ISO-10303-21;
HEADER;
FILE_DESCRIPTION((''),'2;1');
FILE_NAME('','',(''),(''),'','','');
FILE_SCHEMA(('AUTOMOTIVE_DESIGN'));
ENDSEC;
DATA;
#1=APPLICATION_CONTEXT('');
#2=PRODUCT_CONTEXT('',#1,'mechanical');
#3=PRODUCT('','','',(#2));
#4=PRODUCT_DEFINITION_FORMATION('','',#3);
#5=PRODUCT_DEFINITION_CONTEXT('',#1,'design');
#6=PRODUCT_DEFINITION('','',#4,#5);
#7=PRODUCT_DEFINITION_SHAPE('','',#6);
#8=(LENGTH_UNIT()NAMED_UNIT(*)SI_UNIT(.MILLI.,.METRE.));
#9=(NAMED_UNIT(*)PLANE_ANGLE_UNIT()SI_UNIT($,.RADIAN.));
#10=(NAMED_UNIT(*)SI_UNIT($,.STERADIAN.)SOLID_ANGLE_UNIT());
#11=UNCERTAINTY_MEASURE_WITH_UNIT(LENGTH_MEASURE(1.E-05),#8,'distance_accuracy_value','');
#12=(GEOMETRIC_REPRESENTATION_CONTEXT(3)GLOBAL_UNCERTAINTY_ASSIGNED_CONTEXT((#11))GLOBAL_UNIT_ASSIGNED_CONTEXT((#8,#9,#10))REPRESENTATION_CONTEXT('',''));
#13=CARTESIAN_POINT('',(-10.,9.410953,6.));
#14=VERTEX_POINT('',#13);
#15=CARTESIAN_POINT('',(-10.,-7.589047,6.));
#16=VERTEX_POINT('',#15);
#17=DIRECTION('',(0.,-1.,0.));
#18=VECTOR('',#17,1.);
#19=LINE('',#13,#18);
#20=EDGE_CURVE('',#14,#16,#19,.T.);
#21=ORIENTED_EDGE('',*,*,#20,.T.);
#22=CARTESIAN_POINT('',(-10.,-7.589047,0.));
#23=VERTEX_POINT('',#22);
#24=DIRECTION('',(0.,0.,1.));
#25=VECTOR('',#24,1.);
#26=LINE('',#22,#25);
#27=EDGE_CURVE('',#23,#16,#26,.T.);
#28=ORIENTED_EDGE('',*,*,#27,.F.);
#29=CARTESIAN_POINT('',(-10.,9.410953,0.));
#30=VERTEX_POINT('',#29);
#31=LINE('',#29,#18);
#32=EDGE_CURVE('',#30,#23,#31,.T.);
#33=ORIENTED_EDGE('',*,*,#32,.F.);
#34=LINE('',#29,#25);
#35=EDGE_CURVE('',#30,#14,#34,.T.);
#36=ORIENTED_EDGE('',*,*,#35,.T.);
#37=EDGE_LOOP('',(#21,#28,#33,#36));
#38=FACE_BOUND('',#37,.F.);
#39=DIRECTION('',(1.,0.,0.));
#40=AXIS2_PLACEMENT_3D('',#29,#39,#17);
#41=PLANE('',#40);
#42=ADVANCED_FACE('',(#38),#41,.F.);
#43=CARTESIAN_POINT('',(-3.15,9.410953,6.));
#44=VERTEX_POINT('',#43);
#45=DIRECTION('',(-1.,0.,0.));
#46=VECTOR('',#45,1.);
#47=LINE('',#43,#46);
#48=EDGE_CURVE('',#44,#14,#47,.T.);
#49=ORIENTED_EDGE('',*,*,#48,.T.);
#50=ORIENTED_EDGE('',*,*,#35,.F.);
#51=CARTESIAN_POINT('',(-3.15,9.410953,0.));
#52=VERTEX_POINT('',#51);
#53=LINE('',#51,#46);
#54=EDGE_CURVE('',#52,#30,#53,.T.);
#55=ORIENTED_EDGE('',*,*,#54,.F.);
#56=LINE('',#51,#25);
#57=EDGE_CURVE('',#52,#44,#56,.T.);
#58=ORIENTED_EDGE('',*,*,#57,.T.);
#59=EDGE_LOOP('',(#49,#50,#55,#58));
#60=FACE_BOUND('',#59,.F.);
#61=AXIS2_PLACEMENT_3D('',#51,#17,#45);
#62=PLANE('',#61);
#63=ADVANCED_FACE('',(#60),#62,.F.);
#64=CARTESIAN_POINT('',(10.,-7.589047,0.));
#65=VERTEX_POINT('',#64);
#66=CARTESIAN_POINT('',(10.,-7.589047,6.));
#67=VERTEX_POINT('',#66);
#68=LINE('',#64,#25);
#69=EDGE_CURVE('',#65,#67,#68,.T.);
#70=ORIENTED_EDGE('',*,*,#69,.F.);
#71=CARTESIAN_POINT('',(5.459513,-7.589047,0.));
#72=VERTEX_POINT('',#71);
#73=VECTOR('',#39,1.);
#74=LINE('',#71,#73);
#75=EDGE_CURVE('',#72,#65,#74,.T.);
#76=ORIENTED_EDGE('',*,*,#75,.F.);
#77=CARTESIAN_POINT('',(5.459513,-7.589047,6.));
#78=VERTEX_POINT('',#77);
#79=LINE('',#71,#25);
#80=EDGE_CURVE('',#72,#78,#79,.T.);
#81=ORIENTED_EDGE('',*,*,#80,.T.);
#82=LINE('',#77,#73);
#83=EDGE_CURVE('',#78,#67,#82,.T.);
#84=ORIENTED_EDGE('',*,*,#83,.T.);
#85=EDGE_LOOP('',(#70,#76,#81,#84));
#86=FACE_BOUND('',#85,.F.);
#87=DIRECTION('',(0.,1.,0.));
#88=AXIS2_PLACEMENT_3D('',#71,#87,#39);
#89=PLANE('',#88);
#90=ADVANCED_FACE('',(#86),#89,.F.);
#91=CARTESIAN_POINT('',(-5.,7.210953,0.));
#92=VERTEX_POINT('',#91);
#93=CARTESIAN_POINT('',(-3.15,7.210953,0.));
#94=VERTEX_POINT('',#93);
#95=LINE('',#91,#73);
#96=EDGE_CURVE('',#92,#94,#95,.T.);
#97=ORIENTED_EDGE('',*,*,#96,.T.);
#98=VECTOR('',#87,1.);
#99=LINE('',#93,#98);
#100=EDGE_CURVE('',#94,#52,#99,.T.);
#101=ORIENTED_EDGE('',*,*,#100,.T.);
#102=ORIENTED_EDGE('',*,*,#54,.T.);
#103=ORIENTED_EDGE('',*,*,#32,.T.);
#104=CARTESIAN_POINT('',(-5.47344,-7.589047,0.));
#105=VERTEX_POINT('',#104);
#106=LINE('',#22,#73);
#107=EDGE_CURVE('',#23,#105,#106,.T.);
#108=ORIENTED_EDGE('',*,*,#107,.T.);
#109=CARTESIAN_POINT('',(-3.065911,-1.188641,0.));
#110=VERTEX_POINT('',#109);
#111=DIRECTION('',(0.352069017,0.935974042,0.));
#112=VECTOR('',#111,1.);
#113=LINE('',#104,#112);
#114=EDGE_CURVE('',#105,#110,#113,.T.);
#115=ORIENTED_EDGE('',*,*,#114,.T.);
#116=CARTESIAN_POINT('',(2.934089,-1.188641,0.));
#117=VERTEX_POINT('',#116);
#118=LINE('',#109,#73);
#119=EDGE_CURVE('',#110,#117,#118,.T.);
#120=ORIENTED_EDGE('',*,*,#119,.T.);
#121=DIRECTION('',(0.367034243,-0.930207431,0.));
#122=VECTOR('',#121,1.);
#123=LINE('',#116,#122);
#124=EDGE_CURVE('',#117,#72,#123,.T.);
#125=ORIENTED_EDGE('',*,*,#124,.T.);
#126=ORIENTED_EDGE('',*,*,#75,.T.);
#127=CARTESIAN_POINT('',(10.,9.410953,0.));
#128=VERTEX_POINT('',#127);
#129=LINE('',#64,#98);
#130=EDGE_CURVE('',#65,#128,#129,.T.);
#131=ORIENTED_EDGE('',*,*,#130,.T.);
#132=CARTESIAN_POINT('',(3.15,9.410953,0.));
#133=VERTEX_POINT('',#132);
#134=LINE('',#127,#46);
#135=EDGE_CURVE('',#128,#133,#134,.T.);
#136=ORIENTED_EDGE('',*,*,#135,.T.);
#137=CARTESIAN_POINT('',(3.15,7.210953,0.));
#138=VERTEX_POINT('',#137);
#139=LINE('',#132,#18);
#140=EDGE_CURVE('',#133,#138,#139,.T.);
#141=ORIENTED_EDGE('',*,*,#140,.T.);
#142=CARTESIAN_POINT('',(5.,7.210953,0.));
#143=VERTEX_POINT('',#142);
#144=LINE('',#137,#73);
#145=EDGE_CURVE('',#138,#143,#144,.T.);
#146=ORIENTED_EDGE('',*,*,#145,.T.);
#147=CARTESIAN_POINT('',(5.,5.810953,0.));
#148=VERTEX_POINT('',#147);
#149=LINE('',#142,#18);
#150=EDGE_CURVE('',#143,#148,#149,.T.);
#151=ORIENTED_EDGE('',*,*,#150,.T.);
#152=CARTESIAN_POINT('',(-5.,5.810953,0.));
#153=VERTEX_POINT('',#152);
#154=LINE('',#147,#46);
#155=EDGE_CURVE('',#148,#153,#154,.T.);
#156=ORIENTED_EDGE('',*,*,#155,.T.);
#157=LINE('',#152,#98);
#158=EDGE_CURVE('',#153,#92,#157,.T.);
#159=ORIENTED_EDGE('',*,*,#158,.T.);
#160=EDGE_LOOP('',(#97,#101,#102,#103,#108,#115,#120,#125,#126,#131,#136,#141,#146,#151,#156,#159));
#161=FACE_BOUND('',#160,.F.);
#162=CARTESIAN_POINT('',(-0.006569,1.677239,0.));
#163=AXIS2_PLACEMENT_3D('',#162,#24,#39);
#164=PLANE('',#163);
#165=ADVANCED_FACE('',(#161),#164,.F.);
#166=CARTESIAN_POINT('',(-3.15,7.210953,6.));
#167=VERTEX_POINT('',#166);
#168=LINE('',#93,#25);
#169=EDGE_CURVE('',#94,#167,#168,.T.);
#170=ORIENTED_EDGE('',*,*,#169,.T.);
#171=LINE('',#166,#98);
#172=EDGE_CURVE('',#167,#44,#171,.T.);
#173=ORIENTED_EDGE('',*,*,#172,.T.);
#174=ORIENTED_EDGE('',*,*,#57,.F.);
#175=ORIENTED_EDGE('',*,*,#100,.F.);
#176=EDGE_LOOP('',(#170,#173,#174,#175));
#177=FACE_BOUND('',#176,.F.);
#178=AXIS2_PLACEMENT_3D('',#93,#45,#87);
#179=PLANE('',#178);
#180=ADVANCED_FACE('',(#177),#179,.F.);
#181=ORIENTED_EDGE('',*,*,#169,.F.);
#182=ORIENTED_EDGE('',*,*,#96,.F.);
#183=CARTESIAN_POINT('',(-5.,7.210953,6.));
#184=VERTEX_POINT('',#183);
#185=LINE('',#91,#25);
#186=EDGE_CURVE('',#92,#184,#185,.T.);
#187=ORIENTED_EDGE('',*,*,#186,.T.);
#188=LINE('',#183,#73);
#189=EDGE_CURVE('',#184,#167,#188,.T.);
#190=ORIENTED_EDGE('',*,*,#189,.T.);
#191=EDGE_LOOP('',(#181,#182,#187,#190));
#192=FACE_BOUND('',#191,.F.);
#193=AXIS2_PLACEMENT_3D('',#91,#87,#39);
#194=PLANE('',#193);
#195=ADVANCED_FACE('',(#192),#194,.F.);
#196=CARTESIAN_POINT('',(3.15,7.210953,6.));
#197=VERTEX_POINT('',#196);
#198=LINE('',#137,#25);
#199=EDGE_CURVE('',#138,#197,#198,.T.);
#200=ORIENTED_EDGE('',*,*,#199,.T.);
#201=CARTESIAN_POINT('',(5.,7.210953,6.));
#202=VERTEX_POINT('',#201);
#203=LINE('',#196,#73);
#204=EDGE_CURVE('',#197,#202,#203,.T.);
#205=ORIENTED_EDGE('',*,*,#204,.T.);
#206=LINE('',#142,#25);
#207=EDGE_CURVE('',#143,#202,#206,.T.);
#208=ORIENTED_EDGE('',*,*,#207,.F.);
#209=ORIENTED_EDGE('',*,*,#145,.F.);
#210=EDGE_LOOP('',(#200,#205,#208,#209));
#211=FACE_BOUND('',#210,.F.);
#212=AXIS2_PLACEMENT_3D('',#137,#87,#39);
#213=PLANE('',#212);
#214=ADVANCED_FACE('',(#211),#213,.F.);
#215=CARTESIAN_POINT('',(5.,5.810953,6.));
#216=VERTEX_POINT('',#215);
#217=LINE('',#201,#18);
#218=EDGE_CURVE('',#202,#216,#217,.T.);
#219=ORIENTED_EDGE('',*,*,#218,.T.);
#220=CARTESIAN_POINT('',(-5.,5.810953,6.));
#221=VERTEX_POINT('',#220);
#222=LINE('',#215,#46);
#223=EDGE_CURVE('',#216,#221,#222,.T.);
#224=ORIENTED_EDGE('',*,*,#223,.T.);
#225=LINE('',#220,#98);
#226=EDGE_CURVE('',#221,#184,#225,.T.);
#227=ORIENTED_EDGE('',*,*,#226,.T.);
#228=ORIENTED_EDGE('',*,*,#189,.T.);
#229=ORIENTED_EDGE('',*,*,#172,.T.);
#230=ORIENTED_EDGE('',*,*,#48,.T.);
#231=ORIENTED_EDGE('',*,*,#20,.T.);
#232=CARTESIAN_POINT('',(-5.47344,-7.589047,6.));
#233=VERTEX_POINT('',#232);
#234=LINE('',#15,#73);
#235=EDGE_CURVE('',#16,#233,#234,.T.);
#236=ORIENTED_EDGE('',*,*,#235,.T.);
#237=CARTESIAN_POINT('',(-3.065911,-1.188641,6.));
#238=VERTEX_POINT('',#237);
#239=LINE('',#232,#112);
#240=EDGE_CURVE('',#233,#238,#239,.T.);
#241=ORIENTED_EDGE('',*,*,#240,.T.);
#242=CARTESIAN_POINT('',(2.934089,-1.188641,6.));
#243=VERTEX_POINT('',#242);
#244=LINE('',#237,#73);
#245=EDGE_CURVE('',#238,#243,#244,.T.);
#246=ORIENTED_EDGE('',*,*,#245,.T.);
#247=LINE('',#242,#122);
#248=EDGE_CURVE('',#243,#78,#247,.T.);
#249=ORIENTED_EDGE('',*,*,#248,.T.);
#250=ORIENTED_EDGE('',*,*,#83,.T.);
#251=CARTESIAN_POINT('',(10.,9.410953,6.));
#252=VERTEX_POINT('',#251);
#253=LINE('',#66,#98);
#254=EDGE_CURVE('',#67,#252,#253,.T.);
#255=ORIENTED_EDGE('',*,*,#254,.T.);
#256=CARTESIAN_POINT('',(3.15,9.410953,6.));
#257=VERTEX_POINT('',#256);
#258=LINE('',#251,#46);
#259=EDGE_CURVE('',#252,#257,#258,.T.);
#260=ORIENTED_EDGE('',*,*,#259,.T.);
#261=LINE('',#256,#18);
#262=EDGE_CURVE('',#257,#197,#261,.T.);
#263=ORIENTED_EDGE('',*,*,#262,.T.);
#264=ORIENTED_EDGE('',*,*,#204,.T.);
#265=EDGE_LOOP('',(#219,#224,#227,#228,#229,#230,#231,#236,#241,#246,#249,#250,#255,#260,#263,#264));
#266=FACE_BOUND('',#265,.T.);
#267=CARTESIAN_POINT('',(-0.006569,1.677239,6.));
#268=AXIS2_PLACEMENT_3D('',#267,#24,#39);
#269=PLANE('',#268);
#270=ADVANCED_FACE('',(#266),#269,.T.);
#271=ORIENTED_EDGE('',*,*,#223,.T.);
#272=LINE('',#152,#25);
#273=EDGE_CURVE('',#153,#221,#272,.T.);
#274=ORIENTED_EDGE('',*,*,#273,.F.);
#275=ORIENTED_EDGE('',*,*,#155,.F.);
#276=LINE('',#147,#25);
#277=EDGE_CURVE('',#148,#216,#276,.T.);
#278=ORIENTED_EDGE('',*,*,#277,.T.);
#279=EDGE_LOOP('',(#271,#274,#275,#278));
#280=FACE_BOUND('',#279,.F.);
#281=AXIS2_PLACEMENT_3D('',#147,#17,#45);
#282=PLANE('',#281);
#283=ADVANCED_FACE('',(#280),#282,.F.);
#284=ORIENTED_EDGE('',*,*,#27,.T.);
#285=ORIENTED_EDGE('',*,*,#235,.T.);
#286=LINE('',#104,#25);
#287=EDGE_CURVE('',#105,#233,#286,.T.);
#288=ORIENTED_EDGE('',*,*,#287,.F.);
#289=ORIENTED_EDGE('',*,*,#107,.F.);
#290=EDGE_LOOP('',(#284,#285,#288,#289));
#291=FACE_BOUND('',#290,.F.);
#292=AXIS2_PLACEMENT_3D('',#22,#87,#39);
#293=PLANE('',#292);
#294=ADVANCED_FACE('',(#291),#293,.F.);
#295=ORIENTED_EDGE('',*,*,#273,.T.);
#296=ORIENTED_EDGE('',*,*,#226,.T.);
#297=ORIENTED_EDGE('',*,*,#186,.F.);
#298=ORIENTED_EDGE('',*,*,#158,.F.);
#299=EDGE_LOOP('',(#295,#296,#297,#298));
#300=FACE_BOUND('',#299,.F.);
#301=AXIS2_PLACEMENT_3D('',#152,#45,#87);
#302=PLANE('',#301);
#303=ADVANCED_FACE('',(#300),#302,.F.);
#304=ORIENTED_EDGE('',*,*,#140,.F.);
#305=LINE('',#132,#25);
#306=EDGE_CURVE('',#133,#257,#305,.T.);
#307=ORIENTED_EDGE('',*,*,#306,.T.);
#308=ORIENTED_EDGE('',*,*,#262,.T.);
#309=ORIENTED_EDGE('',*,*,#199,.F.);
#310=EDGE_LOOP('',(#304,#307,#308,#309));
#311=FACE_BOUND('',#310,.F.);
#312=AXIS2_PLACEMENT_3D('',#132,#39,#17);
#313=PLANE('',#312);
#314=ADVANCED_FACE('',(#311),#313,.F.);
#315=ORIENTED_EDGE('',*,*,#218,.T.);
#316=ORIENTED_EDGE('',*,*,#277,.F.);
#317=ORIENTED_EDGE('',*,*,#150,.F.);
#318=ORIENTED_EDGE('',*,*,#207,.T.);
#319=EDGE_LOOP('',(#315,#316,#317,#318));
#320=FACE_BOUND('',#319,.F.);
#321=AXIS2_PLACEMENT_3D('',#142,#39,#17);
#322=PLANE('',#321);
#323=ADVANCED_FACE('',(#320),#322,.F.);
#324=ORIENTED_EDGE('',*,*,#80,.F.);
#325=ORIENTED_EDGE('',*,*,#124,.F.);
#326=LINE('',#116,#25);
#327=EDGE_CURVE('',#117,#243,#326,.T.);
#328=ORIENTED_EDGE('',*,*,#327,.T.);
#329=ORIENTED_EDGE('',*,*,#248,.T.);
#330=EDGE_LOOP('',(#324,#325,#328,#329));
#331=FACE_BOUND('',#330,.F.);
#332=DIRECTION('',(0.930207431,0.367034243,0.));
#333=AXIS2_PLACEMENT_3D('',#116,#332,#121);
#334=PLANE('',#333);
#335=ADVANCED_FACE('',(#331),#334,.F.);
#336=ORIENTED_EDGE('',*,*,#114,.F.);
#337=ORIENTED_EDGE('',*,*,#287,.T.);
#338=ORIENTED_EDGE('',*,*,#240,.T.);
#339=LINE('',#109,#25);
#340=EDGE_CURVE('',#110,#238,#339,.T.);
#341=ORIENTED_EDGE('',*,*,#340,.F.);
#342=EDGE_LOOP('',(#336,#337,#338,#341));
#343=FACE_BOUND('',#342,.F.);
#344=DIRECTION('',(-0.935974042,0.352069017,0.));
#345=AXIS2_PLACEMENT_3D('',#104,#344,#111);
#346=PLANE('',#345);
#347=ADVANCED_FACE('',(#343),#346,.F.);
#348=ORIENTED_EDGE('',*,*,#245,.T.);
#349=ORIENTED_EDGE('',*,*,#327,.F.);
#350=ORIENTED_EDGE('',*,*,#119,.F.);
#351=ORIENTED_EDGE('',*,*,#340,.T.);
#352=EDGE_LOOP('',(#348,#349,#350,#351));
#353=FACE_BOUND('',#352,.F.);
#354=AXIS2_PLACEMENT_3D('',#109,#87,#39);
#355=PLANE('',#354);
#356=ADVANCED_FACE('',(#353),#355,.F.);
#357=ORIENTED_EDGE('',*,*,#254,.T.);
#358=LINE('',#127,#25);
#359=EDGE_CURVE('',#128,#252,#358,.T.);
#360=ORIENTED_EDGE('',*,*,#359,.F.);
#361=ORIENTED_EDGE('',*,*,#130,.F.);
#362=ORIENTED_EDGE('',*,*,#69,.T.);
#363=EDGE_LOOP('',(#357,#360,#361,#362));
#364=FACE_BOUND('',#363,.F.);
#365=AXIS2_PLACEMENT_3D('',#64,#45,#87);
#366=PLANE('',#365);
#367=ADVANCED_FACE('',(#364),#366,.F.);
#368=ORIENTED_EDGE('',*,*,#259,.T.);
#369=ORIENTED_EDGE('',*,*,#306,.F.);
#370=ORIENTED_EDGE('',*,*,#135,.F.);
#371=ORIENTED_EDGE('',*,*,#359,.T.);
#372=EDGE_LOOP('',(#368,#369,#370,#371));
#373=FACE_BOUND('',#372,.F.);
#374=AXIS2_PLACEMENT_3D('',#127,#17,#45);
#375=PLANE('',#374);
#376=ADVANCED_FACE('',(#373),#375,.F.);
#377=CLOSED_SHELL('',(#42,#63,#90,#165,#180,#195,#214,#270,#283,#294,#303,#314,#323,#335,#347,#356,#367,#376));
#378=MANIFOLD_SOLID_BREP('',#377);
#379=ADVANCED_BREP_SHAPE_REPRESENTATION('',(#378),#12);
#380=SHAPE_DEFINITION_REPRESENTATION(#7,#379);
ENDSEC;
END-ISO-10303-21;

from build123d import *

# Parameters (mm, degrees)
F1_DEPTH = 6


with BuildPart() as f1:
    # F0 (on Top) → F1 (new body)
    with BuildSketch(Plane.XY):
        Polygon((5, 7.210953), (5, 5.810953), (-5, 5.810953), (-5, 7.210953), (-3.15, 7.210953), (-3.15, 9.410953), (-10, 9.410953), (-10, -7.589047), (-5.47344, -7.589047), (-3.065911, -1.188641), (2.934089, -1.188641), (5.459513, -7.589047), (10, -7.589047), (10, 9.410953), (3.15, 9.410953), (3.15, 7.210953), align=None)
    extrude(amount=F1_DEPTH)


solid = f1.part
